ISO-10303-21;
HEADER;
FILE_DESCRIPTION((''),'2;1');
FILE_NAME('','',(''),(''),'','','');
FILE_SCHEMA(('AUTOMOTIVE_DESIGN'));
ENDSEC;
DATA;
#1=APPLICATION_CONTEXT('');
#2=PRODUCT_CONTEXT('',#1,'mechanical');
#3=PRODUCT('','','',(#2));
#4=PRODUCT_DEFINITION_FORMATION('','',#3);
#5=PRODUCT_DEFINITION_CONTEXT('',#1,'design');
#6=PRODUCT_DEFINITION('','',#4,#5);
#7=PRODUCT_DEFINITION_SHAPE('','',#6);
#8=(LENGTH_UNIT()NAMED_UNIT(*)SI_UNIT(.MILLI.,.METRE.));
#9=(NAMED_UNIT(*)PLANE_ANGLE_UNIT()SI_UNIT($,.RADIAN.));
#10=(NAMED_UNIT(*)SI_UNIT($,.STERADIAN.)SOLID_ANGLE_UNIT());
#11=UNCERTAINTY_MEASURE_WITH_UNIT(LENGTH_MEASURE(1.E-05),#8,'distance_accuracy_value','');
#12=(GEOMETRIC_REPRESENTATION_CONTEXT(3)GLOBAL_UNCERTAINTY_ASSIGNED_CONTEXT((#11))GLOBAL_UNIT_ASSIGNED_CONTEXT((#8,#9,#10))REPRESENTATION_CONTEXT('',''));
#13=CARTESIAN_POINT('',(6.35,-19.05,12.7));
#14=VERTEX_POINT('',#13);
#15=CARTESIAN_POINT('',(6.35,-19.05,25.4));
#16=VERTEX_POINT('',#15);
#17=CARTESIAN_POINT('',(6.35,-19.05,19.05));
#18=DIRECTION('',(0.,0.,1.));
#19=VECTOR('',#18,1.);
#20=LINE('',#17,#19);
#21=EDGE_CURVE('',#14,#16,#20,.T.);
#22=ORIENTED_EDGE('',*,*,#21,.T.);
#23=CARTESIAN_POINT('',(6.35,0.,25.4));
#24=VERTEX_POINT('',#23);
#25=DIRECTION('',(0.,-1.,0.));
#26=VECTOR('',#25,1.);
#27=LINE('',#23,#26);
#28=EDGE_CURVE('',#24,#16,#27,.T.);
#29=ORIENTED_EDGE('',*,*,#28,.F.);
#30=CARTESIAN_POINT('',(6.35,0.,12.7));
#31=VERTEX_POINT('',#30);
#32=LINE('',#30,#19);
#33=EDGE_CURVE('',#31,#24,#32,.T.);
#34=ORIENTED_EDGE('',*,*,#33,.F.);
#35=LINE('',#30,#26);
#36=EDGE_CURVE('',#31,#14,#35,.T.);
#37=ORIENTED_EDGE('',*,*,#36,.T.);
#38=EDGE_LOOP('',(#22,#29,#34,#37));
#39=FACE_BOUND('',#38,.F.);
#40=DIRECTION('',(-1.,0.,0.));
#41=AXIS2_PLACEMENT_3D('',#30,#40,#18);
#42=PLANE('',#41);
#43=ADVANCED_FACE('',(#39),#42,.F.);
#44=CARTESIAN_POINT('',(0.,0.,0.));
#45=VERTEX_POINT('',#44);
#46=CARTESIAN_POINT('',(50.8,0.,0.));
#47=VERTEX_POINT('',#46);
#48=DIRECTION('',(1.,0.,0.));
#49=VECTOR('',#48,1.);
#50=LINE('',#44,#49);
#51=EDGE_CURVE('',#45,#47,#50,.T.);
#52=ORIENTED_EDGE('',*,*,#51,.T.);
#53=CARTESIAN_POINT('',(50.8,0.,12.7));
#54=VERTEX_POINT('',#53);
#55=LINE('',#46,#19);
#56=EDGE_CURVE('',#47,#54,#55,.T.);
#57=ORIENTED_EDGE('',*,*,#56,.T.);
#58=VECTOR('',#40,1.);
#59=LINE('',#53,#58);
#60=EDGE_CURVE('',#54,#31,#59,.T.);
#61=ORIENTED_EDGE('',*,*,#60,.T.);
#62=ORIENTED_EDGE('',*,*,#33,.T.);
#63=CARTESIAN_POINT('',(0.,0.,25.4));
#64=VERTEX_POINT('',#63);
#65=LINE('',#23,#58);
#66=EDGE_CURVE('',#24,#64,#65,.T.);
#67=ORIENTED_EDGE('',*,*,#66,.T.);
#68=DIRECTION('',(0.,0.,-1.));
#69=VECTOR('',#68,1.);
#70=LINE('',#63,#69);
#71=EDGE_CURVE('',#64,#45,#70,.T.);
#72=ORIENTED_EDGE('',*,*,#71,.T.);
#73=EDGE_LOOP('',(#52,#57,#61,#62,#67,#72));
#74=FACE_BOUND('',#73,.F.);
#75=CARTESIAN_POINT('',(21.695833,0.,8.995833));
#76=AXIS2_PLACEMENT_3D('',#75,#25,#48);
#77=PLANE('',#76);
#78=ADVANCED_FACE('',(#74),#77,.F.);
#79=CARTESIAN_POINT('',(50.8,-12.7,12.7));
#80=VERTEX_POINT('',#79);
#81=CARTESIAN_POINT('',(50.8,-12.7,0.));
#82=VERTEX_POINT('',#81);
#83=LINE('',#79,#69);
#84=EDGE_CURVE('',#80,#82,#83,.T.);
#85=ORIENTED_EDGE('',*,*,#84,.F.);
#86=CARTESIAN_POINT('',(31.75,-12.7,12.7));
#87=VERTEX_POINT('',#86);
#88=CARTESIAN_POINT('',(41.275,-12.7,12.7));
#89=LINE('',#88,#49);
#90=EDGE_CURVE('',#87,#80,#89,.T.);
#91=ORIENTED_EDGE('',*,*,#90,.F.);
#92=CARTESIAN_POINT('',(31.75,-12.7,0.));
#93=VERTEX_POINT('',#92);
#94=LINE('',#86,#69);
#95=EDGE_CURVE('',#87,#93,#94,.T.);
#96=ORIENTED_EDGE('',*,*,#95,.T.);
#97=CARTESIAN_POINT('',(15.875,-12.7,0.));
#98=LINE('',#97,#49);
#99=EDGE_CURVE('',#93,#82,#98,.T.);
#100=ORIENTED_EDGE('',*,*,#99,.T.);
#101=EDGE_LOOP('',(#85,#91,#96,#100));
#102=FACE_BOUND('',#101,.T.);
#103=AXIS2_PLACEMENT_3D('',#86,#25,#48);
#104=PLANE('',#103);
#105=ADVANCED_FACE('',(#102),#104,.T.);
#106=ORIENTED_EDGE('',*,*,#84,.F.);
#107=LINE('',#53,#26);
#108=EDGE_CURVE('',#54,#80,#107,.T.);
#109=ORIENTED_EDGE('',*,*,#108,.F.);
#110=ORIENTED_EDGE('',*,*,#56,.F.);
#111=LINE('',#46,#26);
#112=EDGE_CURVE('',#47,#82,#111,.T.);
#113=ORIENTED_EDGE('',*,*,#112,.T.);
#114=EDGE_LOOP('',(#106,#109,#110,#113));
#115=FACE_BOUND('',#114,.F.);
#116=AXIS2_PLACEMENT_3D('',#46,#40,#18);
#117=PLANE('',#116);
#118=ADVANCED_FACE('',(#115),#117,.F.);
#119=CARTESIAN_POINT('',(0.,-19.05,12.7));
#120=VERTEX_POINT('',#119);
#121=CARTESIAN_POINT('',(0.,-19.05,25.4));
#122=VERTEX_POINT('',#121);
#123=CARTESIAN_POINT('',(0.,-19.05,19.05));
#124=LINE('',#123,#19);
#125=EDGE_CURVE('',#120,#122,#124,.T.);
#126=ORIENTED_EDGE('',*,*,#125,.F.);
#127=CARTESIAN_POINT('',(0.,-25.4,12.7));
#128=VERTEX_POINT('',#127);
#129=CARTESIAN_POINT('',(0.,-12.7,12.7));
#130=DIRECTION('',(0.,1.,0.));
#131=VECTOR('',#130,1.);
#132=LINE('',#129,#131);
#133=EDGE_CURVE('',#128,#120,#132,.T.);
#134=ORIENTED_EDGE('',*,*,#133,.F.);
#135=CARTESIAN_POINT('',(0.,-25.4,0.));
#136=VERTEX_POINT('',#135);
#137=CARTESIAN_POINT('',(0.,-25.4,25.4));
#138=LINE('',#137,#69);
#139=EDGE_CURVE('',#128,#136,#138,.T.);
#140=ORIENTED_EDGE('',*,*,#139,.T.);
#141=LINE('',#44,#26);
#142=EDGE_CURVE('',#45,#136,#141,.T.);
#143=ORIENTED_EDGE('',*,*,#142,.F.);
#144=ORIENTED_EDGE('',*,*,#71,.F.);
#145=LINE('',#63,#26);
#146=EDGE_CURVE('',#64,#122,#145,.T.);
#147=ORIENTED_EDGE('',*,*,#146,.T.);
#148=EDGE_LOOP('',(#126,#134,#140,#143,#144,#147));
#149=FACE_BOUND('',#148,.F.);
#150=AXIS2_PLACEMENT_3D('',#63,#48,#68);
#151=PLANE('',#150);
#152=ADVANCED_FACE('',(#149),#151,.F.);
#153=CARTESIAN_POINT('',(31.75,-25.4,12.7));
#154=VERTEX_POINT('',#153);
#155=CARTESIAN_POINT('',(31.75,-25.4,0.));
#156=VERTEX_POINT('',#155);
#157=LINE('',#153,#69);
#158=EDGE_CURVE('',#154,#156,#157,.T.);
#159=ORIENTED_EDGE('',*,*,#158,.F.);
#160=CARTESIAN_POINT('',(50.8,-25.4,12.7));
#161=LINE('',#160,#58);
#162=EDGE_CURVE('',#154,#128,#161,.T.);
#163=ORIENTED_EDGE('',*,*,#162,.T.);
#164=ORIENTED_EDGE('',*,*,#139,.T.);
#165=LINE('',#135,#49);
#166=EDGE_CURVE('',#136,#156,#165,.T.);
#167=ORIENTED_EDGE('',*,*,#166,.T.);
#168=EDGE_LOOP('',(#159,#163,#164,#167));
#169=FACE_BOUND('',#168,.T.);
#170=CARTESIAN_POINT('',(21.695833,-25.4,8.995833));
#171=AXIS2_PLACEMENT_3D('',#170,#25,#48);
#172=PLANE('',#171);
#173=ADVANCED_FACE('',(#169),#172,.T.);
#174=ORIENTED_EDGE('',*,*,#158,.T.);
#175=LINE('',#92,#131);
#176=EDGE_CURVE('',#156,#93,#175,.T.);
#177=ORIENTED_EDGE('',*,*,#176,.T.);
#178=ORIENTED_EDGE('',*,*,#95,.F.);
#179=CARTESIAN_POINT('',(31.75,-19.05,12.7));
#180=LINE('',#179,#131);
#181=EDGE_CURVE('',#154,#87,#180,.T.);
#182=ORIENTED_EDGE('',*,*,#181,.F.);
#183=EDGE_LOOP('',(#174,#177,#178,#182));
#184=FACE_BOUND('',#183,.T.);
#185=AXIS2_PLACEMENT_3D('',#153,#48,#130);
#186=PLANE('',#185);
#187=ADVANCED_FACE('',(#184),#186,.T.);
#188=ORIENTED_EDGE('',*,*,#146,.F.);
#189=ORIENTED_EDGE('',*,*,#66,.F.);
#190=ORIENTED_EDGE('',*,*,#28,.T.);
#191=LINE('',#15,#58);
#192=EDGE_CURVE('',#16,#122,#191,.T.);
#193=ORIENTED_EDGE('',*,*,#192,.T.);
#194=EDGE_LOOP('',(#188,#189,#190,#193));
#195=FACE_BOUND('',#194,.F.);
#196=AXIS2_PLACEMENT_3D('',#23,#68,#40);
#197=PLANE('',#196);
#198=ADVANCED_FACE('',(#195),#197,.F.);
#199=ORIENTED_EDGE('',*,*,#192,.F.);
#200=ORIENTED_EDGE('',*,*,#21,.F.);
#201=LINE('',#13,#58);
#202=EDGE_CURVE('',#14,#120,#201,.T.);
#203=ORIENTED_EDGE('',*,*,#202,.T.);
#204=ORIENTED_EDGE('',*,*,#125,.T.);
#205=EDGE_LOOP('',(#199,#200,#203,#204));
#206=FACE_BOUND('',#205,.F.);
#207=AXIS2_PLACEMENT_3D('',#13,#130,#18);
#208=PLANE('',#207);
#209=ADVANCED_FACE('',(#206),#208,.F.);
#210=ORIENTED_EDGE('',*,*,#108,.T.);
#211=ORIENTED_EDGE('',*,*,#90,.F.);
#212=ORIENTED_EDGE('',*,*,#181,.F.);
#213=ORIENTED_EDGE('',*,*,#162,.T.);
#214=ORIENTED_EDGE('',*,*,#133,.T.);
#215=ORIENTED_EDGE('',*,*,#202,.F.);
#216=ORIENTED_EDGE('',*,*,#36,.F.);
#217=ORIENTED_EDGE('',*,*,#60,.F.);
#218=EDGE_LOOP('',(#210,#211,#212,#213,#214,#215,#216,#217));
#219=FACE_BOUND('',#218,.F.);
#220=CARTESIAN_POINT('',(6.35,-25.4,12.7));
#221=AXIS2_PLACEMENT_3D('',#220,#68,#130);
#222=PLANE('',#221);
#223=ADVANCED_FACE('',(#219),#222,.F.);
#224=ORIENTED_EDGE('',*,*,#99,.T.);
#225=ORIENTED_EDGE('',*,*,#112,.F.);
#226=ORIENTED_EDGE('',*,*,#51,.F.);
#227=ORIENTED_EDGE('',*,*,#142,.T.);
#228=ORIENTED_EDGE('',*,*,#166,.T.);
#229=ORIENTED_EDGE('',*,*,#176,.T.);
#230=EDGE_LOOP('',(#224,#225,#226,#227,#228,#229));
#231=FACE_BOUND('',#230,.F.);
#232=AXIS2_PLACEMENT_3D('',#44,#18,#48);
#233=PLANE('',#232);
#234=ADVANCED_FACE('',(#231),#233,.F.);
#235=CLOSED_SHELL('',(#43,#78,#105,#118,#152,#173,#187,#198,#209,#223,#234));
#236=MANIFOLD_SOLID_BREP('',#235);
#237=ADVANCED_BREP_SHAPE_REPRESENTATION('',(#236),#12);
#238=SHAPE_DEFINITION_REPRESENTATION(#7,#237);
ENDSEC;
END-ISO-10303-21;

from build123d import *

# Parameters (mm, degrees)
F1_DEPTH = 25.4
F2_W     = 6.35
F2_H     = 12.7
F3_DEPTH = 6.351
F4_W     = 19.05
F4_H     = 12.7
F5_DEPTH = 12.701


with BuildPart() as f1:
    # F0 (on Front) → F1 (new body)
    with BuildSketch(Plane.XZ):
        Polygon((0, 25.4), (0, 0), (50.8, 0), (50.8, 12.7), (6.35, 12.7), (6.35, 25.4), align=None)
    extrude(amount=F1_DEPTH)

    # F2 (on face) → F3 (cut, through all)
    with BuildSketch(Plane.YZ.offset(6.35)):
        with Locations((-22.225, 19.05)):
            Rectangle(F2_W, F2_H)
    extrude(amount=-F3_DEPTH, mode=Mode.SUBTRACT)

    # F4 (on face) → F5 (cut, through all)
    with BuildSketch(Plane.XY.offset(12.7)):
        with Locations((41.275, -19.05)):
            Rectangle(F4_W, F4_H)
    extrude(amount=-F5_DEPTH, mode=Mode.SUBTRACT)


solid = f1.part
